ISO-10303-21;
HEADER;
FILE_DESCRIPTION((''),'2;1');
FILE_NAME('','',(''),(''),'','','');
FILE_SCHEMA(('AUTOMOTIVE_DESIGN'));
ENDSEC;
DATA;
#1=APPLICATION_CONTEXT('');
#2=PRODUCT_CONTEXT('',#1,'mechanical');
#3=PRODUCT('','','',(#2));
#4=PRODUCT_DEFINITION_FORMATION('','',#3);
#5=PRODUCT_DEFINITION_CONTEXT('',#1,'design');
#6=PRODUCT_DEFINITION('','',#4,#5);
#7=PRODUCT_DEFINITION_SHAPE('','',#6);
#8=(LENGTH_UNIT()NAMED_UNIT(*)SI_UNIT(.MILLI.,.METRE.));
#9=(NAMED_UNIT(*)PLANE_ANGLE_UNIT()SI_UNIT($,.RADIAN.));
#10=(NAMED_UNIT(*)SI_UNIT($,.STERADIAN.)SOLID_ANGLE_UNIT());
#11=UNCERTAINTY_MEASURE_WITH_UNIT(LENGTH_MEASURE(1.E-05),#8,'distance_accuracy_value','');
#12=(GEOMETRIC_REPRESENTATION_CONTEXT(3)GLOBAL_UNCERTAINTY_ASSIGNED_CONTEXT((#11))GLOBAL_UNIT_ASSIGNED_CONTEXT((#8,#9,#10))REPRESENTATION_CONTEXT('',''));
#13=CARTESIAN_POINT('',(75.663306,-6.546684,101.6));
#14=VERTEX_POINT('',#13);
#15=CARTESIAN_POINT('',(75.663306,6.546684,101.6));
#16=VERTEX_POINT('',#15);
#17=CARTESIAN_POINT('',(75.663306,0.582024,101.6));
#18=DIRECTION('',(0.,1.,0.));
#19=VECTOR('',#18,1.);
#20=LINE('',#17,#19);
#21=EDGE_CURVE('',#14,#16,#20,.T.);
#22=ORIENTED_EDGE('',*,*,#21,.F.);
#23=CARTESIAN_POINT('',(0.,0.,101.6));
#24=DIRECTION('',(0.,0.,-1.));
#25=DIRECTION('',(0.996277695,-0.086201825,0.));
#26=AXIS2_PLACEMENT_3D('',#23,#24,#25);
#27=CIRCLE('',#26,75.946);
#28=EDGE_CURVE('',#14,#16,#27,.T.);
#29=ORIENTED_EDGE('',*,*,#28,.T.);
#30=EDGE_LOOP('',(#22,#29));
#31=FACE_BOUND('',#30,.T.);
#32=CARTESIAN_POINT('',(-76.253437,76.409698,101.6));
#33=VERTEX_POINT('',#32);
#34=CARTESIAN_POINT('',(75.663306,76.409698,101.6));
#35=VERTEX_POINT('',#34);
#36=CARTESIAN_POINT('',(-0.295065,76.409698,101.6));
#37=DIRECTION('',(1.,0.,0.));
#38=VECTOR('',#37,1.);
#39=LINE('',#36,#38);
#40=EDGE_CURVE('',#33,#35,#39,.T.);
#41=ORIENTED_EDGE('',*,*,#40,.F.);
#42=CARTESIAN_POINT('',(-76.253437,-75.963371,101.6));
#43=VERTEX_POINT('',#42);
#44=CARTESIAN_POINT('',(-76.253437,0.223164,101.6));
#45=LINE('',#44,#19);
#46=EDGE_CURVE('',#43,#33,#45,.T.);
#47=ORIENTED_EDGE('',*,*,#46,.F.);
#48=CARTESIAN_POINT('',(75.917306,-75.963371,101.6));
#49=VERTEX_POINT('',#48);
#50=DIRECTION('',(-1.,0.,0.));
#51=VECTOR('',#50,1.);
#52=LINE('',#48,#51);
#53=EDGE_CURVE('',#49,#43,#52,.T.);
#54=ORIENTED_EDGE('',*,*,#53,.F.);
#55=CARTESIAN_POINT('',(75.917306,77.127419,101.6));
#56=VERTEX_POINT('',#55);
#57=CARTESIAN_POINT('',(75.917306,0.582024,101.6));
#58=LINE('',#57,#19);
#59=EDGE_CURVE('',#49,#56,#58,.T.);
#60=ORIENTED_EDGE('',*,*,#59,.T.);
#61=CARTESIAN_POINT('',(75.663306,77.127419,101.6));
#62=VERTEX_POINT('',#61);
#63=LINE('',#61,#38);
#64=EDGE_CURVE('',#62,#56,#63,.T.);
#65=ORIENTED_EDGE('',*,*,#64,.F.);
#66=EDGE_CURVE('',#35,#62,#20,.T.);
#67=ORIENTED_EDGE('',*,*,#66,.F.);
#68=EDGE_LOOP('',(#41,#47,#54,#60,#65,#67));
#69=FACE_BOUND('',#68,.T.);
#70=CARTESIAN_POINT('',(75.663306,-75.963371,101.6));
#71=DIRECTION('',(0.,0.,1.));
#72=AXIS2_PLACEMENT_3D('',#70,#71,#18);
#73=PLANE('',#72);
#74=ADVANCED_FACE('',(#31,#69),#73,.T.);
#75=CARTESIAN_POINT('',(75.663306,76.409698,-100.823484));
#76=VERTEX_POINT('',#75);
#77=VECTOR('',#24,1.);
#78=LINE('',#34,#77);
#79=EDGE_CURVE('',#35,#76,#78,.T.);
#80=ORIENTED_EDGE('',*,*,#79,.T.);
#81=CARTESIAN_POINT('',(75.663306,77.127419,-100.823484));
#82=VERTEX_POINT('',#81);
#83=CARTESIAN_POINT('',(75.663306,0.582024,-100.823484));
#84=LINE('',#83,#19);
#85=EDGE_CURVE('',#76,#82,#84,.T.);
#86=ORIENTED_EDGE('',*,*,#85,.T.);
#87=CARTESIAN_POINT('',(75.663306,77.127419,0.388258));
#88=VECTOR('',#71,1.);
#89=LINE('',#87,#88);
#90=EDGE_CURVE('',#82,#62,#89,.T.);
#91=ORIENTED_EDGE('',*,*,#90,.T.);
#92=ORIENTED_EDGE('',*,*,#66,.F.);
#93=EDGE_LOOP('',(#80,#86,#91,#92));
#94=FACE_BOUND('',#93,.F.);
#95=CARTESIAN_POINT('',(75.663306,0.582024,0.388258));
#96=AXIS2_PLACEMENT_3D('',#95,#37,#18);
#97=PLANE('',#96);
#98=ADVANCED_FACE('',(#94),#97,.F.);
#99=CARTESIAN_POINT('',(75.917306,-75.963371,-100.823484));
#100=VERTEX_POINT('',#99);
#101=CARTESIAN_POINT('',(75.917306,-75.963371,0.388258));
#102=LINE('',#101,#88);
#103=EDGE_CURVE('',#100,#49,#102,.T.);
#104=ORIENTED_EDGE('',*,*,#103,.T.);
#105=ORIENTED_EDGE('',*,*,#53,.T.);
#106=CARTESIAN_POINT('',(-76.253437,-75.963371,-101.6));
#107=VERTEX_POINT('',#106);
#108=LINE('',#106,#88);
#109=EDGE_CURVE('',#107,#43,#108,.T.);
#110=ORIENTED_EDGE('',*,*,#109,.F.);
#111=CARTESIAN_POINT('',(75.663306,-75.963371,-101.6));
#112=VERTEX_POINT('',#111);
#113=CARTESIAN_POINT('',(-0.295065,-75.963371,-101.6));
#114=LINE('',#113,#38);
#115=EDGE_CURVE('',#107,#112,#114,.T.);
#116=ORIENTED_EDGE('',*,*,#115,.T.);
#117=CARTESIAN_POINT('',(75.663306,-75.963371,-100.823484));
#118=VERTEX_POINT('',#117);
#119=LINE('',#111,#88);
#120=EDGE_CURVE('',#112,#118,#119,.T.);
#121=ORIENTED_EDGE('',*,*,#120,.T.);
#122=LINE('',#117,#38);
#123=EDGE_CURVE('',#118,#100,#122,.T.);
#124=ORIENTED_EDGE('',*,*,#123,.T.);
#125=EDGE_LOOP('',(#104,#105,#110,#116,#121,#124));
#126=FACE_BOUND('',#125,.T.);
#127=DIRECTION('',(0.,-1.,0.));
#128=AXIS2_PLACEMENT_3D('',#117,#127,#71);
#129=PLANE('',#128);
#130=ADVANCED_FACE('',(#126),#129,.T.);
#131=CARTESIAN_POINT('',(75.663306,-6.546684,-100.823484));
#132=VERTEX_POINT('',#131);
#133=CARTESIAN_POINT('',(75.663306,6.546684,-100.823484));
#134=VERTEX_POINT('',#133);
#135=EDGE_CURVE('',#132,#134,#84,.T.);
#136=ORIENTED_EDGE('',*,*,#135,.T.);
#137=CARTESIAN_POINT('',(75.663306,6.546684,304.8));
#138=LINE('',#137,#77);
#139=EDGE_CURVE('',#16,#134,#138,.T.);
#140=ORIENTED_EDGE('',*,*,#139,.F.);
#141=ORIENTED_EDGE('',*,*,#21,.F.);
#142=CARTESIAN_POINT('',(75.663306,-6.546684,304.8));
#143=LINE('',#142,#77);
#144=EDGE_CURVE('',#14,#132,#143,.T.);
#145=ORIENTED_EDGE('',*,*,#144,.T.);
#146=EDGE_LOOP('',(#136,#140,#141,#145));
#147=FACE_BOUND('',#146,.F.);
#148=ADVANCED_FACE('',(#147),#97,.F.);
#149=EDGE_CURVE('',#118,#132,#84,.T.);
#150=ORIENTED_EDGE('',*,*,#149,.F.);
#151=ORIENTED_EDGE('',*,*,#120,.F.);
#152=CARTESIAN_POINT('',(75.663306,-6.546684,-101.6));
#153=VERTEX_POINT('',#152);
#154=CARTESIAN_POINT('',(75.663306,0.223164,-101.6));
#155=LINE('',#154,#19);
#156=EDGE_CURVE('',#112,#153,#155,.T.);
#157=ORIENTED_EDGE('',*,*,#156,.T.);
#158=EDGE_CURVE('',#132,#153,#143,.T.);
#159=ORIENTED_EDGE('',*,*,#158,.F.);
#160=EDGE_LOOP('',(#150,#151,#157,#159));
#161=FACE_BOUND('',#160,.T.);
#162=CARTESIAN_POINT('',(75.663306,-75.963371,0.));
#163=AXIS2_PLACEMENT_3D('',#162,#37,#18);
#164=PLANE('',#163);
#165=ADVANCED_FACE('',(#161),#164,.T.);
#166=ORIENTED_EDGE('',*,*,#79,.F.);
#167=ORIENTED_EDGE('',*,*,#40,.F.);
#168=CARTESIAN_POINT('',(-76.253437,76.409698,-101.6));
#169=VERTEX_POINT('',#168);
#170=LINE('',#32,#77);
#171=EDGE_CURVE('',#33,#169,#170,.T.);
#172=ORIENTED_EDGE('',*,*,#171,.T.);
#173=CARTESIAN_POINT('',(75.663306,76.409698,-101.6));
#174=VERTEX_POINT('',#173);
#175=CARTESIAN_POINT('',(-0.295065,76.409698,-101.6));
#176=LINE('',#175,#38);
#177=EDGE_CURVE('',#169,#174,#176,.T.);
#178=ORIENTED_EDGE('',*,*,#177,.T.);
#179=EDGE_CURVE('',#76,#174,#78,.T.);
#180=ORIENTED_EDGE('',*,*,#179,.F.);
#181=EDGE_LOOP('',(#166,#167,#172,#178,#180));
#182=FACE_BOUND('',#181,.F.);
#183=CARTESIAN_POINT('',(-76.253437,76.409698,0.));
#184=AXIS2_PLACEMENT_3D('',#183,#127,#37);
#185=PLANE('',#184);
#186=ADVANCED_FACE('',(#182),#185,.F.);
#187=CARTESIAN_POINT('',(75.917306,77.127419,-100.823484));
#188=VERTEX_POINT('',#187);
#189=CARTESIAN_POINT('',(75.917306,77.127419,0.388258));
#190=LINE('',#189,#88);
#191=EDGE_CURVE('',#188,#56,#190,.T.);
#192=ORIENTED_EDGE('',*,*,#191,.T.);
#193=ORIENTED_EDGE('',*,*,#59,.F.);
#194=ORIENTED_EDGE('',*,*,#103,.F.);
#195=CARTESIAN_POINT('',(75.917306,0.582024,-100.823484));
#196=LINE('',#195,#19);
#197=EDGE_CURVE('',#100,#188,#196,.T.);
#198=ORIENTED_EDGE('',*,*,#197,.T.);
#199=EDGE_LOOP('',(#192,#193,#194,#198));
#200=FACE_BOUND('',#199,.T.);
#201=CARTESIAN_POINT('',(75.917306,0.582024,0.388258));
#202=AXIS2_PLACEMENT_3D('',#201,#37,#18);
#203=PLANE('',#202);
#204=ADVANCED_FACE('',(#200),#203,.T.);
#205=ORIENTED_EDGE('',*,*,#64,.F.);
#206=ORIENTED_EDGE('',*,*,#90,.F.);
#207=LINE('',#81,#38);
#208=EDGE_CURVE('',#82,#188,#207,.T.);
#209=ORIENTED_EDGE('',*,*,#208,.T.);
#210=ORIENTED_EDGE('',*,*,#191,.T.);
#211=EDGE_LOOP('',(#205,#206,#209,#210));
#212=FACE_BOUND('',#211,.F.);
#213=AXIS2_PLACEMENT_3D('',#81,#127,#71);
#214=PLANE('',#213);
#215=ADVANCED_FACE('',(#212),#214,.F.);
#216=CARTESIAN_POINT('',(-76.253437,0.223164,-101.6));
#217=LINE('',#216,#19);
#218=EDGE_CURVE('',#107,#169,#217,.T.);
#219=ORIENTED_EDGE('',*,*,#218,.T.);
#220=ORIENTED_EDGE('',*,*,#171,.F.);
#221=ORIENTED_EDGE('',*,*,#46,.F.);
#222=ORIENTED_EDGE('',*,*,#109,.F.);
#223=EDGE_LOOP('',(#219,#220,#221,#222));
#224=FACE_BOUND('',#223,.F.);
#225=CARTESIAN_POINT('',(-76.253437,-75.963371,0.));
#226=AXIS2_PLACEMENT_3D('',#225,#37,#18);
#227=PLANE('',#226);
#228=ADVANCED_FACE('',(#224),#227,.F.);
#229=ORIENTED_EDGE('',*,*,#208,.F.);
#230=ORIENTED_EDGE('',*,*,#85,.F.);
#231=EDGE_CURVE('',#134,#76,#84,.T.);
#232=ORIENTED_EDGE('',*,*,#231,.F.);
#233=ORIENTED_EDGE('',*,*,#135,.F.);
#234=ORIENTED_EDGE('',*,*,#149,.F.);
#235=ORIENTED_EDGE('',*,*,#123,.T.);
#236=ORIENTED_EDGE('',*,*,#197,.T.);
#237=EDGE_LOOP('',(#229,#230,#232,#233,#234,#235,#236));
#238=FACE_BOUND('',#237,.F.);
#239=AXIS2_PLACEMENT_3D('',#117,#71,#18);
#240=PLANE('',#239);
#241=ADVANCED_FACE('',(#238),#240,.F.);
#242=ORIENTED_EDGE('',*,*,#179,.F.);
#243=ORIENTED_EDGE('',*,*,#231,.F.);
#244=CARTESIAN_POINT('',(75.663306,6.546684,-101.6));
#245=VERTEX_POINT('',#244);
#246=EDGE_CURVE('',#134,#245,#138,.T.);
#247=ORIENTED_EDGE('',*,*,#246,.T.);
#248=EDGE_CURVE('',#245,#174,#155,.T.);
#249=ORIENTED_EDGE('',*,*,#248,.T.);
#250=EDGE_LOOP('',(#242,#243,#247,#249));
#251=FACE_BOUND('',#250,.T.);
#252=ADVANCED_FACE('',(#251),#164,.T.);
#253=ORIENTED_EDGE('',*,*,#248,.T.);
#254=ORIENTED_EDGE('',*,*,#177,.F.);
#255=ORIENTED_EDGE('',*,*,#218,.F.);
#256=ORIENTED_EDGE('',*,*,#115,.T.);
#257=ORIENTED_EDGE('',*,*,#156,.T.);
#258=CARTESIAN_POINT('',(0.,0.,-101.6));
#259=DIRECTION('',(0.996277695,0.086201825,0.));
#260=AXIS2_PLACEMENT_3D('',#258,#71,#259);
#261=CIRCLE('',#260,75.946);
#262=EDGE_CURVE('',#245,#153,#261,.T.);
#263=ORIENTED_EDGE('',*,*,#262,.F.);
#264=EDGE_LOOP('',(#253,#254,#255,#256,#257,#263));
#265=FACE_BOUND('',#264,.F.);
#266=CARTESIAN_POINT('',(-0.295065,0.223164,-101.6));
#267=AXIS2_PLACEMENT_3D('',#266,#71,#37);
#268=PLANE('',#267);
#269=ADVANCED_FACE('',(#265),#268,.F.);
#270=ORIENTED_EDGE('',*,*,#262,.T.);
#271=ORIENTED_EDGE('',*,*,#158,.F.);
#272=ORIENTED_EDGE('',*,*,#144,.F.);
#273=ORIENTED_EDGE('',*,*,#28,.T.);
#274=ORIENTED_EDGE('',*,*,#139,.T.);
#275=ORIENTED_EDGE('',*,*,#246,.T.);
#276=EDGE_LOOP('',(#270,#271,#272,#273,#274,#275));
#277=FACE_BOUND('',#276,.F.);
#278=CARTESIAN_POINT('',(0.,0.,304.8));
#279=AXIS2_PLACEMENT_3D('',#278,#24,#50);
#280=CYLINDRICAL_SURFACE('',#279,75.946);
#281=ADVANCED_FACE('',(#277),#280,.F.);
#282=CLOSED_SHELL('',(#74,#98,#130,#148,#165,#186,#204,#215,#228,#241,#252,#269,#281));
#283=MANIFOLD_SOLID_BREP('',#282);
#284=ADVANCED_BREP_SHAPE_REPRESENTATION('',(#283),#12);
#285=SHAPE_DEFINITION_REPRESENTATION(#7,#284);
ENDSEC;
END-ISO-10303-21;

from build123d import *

# Parameters (mm, degrees)
F0_W          = 151.9167423248
F0_H          = 152.3730680346
F1_DEPTH      = 101.6
F1_DEPTH_BACK = 101.6
F3_D          = 151.892
F3_DEPTH      = 203.2
F3_TIP        = 45.6329605727
F4_W          = 153.0907899141
F4_H          = 202.4234843612
F5_DEPTH      = 0.254


with BuildPart() as f1:
    # F0 (on Top) → F1 (new body, two sides)
    with BuildSketch(Plane.XY) as f1_sk:
        with Locations((-0.2950653434, 0.2231635153)):
            Rectangle(F0_W, F0_H)
    extrude(amount=F1_DEPTH)
    extrude(f1_sk.sketch, amount=-F1_DEPTH_BACK)

    # F3
    with Locations(Plane.XY.offset(101.6)):
        with Locations((0, 0)):
            Hole(F3_D / 2, depth=F3_DEPTH)
            with Locations((0, 0, -(F3_DEPTH + F3_TIP / 2))):  # 118° drill point
                Cone(0, F3_D / 2, F3_TIP, mode=Mode.SUBTRACT)

    # F4 (on face) → F5 (join)
    with BuildSketch(Plane.YZ.offset(75.663305819)):
        with Locations((0.5820244551, 0.3882578194)):
            Rectangle(F4_W, F4_H)
    extrude(amount=F5_DEPTH)


solid = f1.part
